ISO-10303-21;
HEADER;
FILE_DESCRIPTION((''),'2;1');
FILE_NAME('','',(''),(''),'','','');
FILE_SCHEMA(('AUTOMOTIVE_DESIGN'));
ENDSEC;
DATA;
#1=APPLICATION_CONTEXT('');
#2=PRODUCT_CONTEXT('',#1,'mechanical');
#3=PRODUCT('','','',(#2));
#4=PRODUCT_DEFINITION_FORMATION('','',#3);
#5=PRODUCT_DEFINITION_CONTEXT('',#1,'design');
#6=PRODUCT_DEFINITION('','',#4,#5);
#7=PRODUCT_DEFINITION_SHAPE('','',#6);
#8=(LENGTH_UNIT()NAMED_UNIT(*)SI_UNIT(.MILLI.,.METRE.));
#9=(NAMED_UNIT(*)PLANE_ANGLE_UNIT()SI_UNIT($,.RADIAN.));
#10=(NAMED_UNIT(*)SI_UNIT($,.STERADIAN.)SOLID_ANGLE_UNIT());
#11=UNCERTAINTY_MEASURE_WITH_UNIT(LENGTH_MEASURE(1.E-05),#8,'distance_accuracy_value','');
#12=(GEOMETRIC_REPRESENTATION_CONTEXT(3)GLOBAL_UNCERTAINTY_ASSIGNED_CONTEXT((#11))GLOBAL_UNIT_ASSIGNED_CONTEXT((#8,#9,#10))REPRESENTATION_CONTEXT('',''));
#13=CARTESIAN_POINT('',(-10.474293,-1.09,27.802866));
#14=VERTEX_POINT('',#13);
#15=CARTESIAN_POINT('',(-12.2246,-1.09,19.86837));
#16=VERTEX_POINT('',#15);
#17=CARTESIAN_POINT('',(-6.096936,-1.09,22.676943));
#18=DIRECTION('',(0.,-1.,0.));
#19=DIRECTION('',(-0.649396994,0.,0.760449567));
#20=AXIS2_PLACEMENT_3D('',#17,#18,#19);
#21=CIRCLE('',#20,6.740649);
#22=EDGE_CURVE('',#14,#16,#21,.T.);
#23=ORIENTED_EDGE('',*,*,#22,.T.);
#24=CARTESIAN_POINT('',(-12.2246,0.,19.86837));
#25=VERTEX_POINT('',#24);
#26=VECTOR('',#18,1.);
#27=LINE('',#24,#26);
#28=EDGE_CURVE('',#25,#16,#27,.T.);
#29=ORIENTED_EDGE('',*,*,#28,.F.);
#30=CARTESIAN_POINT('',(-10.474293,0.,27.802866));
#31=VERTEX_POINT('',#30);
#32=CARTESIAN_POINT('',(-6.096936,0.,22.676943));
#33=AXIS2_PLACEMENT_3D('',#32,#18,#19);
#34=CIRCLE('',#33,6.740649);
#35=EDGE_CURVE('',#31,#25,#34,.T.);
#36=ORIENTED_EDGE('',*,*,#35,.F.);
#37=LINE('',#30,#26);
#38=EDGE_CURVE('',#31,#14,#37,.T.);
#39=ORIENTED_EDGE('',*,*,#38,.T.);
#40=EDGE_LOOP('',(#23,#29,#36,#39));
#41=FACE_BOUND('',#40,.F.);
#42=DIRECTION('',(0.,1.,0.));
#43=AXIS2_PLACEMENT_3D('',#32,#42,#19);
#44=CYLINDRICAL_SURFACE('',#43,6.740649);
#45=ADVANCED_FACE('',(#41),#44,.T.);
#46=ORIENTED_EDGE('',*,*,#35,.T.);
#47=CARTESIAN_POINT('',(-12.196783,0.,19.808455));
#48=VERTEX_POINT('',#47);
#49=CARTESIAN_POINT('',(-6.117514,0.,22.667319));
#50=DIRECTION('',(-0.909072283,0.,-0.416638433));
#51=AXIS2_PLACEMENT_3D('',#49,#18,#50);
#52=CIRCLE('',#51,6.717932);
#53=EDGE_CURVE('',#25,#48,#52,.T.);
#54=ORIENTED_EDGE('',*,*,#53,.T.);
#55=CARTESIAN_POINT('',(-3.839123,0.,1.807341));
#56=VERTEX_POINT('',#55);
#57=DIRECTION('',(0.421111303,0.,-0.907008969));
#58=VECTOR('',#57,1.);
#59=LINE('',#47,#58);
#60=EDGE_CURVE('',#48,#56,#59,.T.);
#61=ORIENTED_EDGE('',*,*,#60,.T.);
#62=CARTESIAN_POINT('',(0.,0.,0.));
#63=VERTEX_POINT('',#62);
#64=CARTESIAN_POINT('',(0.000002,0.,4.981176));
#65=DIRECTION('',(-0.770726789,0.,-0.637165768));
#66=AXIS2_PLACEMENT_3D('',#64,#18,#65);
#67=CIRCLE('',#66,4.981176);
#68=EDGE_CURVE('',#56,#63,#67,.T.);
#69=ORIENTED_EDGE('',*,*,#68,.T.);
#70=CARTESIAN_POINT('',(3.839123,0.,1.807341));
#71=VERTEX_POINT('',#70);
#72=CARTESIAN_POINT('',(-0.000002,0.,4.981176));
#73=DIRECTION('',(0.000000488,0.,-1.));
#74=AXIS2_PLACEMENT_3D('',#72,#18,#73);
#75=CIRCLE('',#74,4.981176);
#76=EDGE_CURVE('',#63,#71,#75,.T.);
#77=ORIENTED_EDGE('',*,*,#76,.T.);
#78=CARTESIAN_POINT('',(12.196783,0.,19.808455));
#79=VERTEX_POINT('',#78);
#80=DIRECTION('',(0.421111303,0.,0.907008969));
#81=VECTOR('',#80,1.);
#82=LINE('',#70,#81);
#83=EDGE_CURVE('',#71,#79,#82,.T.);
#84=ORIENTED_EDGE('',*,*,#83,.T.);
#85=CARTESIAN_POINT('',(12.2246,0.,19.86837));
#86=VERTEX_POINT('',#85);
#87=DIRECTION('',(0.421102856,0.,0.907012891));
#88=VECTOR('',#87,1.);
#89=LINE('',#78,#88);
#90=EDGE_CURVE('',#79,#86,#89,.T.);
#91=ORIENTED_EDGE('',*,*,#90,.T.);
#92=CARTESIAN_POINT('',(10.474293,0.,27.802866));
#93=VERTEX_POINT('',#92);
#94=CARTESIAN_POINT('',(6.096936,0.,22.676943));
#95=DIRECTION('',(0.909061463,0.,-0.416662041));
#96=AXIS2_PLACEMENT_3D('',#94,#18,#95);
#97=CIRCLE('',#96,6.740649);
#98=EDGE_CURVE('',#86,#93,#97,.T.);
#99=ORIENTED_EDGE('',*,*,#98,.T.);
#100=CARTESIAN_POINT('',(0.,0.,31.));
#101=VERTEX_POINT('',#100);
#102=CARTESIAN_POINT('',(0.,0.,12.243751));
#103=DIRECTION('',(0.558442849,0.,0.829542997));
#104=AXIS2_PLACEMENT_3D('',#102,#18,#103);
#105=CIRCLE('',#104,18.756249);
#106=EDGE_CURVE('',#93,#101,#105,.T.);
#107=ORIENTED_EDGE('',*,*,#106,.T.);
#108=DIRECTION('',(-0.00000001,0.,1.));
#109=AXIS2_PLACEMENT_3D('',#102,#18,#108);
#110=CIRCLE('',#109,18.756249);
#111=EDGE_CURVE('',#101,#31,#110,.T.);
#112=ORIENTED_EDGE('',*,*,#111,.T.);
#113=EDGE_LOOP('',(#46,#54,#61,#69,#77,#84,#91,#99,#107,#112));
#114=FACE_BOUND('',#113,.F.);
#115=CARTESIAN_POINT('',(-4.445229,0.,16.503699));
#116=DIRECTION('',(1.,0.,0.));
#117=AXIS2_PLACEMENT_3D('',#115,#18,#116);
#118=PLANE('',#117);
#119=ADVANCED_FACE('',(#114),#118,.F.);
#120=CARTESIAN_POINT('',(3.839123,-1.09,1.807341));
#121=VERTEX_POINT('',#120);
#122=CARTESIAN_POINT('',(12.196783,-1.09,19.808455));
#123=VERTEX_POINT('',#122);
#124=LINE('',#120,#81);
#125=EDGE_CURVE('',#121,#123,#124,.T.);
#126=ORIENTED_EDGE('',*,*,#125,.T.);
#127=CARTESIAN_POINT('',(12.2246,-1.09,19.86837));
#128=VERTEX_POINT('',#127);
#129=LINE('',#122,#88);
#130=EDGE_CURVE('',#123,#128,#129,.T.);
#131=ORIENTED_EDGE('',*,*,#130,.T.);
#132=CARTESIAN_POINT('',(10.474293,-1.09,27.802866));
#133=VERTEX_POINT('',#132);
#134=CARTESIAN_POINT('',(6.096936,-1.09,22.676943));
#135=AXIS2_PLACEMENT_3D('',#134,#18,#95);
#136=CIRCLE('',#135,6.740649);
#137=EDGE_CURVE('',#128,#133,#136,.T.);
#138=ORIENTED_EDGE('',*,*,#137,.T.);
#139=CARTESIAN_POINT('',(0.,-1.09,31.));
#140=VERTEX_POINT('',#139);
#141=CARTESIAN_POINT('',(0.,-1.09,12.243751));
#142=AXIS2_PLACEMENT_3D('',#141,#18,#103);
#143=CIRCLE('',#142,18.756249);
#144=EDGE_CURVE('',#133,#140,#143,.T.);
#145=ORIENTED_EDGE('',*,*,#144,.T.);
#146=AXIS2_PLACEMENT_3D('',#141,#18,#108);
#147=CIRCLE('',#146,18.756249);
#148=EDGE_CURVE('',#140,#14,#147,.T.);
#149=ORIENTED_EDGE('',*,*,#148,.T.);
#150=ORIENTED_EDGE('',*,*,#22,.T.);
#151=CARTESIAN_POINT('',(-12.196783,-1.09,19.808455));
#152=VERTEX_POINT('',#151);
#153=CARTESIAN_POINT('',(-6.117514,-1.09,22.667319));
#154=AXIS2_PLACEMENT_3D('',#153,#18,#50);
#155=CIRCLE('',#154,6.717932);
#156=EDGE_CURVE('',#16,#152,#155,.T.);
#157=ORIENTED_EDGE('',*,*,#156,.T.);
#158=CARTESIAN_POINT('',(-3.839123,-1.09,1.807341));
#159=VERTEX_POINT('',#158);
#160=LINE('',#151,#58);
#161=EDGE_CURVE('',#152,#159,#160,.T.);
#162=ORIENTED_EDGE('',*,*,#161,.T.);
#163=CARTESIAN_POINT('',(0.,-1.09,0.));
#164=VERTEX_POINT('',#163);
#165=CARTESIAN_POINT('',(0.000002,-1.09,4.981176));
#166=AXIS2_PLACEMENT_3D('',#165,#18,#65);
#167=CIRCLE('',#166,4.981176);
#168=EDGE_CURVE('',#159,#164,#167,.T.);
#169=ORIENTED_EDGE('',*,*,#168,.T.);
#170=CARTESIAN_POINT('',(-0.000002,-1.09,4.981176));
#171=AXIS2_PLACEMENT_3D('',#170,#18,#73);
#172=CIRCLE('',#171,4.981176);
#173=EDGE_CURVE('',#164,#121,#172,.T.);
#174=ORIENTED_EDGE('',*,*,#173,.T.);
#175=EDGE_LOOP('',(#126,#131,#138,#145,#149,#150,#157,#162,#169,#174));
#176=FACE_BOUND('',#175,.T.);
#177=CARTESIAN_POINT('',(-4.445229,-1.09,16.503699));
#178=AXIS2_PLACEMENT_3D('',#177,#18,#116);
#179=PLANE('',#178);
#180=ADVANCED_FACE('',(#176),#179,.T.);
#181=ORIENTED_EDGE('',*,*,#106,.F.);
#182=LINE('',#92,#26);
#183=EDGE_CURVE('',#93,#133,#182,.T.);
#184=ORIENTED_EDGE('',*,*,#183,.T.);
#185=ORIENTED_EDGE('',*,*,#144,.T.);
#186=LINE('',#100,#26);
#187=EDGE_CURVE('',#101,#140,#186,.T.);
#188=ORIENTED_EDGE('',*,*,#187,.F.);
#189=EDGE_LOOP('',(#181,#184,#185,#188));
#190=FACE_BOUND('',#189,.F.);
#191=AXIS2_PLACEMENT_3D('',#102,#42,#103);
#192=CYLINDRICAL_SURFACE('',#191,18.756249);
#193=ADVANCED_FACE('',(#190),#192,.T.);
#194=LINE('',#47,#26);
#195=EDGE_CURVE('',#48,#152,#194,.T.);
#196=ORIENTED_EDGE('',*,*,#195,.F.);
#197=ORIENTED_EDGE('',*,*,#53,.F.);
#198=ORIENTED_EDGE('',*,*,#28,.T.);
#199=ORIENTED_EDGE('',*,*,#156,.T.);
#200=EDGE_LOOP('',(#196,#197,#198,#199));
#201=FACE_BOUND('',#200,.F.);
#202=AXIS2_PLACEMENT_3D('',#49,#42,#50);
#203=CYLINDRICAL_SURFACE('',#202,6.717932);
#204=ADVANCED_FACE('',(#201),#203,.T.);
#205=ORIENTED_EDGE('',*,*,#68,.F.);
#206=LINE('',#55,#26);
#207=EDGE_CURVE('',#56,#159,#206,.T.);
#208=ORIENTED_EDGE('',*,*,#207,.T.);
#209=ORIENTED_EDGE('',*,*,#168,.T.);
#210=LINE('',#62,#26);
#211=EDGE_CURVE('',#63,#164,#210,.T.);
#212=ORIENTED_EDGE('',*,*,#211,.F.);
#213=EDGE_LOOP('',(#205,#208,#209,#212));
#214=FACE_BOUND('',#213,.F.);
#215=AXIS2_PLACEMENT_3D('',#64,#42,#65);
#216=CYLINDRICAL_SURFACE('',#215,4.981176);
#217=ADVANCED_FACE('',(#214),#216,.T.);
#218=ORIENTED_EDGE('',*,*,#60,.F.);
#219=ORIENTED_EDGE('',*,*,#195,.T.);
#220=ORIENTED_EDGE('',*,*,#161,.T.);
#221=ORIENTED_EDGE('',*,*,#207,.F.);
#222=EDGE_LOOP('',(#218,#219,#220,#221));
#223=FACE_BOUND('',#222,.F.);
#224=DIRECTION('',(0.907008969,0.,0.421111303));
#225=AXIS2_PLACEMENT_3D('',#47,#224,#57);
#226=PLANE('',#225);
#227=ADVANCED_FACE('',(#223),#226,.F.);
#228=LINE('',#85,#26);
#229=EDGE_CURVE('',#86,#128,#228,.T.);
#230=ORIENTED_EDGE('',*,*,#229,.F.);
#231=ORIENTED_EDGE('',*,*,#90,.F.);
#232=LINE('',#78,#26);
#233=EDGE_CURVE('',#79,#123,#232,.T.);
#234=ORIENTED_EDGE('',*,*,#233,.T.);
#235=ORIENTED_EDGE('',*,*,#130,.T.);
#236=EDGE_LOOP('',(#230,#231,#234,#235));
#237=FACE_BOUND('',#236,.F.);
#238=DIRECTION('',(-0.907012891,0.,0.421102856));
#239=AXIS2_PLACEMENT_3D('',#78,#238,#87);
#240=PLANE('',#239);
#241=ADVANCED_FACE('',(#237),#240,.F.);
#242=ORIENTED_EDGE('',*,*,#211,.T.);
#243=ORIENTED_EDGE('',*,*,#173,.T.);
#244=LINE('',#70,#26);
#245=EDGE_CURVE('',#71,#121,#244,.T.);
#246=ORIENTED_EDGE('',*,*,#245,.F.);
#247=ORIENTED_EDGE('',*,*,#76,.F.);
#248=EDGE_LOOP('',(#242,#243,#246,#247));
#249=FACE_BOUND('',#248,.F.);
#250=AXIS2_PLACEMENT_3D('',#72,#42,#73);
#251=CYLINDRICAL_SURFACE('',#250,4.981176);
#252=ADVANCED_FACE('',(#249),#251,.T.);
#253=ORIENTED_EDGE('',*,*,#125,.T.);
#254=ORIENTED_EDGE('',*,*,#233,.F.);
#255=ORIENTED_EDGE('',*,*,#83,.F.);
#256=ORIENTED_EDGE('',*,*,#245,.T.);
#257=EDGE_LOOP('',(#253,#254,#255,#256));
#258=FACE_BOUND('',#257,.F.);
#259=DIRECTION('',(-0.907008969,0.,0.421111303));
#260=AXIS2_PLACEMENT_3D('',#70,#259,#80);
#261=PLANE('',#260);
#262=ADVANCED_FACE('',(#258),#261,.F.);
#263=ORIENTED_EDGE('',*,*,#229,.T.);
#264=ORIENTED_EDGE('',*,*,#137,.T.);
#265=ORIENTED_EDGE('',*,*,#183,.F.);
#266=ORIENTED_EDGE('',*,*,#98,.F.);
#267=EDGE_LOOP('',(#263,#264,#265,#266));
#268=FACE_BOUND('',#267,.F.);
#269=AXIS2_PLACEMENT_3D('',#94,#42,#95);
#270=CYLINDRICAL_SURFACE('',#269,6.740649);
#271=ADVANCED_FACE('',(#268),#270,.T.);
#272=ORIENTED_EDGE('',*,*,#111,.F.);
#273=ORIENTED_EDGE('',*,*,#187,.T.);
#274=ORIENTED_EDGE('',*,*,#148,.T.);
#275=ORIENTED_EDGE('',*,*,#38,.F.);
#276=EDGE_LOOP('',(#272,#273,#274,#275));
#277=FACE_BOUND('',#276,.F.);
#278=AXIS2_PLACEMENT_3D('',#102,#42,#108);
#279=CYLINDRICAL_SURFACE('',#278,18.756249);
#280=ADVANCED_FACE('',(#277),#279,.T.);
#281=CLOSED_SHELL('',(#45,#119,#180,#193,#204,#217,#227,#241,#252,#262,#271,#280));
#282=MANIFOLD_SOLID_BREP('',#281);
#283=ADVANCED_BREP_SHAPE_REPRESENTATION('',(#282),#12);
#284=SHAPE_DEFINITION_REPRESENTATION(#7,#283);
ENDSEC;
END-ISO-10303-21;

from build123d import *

# Parameters (mm, degrees)
F1_DEPTH = 1.09


with BuildPart() as f1:
    # F0 (on Front) → F1 (new body)
    with BuildSketch(Plane.XZ):
        with BuildLine():
            ThreePointArc((-3.839123, 1.807341), (-2.121635, 0.474429), (0, 0))
            Line((0, 0), (0, 31))
            ThreePointArc((0, 31), (-5.475685, 30.182919), (-10.474293, 27.802866))
            ThreePointArc((-10.474293, 27.802866), (-12.679331, 24.128983), (-12.2246, 19.86837))
            ThreePointArc((-12.2246, 19.86837), (-12.210765, 19.838378), (-12.196783, 19.808455))
            Line((-12.196783, 19.808455), (-3.839123, 1.807341))
        make_face()
        with BuildLine():
            Line((0, 31), (0, 0))
            ThreePointArc((0, 0), (2.121635, 0.474429), (3.839123, 1.807341))
            Line((3.839123, 1.807341), (12.196783, 19.808455))
            Line((12.196783, 19.808455), (12.2246, 19.86837))
            ThreePointArc((12.2246, 19.86837), (12.679331, 24.128983), (10.474293, 27.802866))
            ThreePointArc((10.474293, 27.802866), (5.475685, 30.182919), (0, 31))
        make_face()
    extrude(amount=F1_DEPTH)


solid = f1.part
